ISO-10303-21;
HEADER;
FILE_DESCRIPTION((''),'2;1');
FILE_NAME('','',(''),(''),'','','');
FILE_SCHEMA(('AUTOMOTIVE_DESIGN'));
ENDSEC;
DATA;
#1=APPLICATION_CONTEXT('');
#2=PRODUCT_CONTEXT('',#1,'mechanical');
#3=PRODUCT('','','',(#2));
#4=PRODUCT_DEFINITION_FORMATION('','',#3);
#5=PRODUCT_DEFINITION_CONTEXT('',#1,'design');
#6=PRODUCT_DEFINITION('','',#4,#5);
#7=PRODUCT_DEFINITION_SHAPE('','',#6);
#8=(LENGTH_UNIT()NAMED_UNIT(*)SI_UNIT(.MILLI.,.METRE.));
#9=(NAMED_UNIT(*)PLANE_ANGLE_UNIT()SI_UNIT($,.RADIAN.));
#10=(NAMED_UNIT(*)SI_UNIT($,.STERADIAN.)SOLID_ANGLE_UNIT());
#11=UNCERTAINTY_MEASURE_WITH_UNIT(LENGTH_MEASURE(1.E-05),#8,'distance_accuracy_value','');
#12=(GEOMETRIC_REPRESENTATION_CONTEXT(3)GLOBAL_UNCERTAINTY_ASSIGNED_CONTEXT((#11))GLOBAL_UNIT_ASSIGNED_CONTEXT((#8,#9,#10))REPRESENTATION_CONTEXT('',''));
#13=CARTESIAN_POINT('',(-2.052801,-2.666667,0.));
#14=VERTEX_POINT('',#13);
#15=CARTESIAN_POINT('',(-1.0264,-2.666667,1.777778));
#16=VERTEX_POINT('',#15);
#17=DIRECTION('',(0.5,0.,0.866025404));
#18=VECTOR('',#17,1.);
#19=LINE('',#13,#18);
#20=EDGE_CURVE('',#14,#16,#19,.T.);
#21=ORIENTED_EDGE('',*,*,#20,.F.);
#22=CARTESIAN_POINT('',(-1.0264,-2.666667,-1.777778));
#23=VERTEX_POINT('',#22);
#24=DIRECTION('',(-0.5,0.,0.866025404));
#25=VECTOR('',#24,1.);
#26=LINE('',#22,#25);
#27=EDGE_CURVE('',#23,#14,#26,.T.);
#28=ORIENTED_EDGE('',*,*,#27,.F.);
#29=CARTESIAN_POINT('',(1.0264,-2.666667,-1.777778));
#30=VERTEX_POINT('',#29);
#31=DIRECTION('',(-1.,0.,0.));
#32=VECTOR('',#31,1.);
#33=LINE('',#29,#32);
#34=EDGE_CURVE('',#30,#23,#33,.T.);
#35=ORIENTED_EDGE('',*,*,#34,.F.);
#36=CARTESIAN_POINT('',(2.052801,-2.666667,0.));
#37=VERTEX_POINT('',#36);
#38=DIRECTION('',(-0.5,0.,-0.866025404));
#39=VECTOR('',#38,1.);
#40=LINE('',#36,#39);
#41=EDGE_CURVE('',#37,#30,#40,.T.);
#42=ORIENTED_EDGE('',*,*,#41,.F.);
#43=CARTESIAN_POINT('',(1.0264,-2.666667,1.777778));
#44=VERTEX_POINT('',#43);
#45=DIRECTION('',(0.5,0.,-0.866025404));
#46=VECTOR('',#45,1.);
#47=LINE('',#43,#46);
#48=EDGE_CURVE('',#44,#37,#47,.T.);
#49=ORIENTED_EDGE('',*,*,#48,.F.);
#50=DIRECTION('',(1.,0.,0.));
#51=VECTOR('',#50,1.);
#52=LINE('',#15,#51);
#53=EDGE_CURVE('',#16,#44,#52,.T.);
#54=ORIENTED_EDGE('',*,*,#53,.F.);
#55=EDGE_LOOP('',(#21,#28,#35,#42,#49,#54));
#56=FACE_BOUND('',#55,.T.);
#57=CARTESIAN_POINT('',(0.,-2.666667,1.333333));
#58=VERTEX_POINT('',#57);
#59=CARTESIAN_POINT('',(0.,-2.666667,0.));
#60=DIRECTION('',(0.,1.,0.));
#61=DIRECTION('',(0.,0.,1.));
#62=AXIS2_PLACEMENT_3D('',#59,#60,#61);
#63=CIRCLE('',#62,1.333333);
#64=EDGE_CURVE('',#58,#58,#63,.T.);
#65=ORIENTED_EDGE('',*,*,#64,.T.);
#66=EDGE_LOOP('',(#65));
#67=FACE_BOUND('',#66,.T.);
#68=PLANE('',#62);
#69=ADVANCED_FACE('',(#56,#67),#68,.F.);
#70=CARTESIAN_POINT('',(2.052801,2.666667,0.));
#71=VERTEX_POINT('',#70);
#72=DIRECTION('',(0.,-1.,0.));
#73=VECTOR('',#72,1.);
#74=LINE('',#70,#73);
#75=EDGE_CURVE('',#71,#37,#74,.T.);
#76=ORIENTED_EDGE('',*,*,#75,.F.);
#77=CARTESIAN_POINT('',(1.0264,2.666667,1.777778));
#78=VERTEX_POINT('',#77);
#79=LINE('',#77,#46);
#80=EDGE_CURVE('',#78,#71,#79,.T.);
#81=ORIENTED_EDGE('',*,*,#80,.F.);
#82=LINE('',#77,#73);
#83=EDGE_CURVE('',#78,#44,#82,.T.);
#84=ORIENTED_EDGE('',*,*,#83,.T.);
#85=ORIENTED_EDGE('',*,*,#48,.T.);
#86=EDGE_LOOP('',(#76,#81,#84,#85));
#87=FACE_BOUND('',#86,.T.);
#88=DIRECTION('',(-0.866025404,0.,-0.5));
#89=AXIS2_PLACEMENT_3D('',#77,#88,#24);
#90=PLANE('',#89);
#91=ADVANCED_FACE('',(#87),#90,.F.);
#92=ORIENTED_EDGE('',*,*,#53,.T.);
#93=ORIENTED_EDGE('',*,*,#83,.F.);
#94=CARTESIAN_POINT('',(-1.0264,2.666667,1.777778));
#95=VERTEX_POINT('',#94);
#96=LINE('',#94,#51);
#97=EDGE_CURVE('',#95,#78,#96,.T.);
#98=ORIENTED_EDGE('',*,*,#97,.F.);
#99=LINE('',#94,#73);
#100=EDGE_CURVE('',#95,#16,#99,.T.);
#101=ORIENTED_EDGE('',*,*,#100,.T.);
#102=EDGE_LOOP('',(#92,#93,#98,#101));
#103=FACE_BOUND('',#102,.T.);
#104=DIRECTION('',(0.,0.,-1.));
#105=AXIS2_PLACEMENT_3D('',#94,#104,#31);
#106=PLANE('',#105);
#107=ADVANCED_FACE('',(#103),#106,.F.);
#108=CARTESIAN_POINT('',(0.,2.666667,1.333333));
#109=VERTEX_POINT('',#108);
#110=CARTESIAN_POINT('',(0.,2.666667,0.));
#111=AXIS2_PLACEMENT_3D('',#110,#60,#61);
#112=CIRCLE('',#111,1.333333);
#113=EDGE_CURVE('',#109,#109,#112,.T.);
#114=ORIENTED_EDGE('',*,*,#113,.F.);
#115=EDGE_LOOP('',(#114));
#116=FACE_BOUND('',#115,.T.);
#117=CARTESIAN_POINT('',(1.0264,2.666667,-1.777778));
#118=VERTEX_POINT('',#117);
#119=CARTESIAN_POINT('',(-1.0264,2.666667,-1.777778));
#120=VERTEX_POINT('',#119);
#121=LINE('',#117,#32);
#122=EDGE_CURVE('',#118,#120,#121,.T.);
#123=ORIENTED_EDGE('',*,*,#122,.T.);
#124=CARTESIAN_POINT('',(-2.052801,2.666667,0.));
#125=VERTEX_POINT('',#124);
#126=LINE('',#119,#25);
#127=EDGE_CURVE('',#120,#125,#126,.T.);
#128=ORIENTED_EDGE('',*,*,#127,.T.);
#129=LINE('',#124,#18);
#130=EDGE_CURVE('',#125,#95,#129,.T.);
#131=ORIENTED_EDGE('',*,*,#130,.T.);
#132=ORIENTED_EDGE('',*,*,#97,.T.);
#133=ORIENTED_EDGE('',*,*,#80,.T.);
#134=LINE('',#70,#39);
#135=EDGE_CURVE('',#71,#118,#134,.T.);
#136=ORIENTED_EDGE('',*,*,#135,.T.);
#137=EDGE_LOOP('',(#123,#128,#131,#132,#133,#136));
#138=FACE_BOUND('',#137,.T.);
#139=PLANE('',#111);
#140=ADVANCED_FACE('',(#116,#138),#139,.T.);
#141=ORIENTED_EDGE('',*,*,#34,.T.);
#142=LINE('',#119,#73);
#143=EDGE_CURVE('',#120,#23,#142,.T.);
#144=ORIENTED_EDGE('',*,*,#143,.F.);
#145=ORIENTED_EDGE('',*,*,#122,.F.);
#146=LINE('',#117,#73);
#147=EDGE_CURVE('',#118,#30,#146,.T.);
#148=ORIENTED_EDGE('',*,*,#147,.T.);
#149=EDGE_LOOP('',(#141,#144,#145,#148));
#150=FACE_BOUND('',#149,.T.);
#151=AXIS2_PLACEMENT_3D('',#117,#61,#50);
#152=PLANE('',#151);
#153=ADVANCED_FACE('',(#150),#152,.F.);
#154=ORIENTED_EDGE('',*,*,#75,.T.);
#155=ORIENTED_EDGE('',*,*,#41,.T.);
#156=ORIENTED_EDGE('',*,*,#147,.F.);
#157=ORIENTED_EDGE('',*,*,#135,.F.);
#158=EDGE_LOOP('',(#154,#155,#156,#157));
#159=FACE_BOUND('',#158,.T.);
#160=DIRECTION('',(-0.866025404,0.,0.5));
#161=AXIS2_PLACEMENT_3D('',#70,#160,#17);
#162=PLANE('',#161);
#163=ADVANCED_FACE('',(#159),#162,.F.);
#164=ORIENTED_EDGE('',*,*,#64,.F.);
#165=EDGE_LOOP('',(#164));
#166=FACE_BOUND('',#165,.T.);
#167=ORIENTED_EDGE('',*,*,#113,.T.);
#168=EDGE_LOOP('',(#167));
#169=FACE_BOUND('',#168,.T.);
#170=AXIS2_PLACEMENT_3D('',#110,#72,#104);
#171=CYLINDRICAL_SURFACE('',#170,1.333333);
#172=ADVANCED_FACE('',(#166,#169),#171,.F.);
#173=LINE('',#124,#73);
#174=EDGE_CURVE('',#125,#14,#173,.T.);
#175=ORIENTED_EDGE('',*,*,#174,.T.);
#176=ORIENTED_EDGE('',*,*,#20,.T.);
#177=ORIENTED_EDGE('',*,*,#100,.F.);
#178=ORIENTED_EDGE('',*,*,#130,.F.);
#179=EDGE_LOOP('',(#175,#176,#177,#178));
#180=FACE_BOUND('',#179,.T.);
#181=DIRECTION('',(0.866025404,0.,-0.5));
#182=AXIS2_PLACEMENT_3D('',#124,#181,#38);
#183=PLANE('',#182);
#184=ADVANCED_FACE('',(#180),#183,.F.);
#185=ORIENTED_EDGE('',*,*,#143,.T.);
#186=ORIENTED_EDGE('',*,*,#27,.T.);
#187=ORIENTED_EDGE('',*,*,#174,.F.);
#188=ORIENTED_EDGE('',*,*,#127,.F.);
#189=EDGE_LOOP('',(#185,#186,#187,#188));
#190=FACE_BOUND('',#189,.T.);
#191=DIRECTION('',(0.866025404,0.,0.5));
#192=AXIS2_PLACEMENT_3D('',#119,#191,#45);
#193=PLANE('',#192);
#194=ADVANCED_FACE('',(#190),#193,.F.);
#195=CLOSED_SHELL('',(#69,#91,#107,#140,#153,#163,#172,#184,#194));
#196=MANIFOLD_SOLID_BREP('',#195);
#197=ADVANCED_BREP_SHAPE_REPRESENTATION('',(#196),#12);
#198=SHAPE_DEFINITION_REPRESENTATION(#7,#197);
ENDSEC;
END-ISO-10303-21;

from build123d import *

# Parameters (mm, degrees)
CROQUIS1_R              = 1.5
SALIENTE_EXTRUIR1_DEPTH = 3
SCALE1_SCALE            = 0.888888889


with BuildPart() as part:
    # Croquis1 → Saliente-Extruir1 (new, symmetric)
    with BuildSketch(Plane(origin=(0, 0, 0), x_dir=(1, 0, 0), z_dir=(0, 1, 0))):
        Polygon((1.154700538, 2), (-1.154700538, 2), (-2.309401077, 0), (-1.154700538, -2), (1.154700538, -2), (2.309401077, 0), align=None)
        with Locations(Location((0, 0, 0), (0, 0, 270))):
            Circle(CROQUIS1_R, mode=Mode.SUBTRACT)
    extrude(amount=SALIENTE_EXTRUIR1_DEPTH, both=True)


with BuildPart() as part_1:
    # Scale1: scaled about (0, 0, 0)
    add(part.part.scale(SCALE1_SCALE))


solid = part_1.part
